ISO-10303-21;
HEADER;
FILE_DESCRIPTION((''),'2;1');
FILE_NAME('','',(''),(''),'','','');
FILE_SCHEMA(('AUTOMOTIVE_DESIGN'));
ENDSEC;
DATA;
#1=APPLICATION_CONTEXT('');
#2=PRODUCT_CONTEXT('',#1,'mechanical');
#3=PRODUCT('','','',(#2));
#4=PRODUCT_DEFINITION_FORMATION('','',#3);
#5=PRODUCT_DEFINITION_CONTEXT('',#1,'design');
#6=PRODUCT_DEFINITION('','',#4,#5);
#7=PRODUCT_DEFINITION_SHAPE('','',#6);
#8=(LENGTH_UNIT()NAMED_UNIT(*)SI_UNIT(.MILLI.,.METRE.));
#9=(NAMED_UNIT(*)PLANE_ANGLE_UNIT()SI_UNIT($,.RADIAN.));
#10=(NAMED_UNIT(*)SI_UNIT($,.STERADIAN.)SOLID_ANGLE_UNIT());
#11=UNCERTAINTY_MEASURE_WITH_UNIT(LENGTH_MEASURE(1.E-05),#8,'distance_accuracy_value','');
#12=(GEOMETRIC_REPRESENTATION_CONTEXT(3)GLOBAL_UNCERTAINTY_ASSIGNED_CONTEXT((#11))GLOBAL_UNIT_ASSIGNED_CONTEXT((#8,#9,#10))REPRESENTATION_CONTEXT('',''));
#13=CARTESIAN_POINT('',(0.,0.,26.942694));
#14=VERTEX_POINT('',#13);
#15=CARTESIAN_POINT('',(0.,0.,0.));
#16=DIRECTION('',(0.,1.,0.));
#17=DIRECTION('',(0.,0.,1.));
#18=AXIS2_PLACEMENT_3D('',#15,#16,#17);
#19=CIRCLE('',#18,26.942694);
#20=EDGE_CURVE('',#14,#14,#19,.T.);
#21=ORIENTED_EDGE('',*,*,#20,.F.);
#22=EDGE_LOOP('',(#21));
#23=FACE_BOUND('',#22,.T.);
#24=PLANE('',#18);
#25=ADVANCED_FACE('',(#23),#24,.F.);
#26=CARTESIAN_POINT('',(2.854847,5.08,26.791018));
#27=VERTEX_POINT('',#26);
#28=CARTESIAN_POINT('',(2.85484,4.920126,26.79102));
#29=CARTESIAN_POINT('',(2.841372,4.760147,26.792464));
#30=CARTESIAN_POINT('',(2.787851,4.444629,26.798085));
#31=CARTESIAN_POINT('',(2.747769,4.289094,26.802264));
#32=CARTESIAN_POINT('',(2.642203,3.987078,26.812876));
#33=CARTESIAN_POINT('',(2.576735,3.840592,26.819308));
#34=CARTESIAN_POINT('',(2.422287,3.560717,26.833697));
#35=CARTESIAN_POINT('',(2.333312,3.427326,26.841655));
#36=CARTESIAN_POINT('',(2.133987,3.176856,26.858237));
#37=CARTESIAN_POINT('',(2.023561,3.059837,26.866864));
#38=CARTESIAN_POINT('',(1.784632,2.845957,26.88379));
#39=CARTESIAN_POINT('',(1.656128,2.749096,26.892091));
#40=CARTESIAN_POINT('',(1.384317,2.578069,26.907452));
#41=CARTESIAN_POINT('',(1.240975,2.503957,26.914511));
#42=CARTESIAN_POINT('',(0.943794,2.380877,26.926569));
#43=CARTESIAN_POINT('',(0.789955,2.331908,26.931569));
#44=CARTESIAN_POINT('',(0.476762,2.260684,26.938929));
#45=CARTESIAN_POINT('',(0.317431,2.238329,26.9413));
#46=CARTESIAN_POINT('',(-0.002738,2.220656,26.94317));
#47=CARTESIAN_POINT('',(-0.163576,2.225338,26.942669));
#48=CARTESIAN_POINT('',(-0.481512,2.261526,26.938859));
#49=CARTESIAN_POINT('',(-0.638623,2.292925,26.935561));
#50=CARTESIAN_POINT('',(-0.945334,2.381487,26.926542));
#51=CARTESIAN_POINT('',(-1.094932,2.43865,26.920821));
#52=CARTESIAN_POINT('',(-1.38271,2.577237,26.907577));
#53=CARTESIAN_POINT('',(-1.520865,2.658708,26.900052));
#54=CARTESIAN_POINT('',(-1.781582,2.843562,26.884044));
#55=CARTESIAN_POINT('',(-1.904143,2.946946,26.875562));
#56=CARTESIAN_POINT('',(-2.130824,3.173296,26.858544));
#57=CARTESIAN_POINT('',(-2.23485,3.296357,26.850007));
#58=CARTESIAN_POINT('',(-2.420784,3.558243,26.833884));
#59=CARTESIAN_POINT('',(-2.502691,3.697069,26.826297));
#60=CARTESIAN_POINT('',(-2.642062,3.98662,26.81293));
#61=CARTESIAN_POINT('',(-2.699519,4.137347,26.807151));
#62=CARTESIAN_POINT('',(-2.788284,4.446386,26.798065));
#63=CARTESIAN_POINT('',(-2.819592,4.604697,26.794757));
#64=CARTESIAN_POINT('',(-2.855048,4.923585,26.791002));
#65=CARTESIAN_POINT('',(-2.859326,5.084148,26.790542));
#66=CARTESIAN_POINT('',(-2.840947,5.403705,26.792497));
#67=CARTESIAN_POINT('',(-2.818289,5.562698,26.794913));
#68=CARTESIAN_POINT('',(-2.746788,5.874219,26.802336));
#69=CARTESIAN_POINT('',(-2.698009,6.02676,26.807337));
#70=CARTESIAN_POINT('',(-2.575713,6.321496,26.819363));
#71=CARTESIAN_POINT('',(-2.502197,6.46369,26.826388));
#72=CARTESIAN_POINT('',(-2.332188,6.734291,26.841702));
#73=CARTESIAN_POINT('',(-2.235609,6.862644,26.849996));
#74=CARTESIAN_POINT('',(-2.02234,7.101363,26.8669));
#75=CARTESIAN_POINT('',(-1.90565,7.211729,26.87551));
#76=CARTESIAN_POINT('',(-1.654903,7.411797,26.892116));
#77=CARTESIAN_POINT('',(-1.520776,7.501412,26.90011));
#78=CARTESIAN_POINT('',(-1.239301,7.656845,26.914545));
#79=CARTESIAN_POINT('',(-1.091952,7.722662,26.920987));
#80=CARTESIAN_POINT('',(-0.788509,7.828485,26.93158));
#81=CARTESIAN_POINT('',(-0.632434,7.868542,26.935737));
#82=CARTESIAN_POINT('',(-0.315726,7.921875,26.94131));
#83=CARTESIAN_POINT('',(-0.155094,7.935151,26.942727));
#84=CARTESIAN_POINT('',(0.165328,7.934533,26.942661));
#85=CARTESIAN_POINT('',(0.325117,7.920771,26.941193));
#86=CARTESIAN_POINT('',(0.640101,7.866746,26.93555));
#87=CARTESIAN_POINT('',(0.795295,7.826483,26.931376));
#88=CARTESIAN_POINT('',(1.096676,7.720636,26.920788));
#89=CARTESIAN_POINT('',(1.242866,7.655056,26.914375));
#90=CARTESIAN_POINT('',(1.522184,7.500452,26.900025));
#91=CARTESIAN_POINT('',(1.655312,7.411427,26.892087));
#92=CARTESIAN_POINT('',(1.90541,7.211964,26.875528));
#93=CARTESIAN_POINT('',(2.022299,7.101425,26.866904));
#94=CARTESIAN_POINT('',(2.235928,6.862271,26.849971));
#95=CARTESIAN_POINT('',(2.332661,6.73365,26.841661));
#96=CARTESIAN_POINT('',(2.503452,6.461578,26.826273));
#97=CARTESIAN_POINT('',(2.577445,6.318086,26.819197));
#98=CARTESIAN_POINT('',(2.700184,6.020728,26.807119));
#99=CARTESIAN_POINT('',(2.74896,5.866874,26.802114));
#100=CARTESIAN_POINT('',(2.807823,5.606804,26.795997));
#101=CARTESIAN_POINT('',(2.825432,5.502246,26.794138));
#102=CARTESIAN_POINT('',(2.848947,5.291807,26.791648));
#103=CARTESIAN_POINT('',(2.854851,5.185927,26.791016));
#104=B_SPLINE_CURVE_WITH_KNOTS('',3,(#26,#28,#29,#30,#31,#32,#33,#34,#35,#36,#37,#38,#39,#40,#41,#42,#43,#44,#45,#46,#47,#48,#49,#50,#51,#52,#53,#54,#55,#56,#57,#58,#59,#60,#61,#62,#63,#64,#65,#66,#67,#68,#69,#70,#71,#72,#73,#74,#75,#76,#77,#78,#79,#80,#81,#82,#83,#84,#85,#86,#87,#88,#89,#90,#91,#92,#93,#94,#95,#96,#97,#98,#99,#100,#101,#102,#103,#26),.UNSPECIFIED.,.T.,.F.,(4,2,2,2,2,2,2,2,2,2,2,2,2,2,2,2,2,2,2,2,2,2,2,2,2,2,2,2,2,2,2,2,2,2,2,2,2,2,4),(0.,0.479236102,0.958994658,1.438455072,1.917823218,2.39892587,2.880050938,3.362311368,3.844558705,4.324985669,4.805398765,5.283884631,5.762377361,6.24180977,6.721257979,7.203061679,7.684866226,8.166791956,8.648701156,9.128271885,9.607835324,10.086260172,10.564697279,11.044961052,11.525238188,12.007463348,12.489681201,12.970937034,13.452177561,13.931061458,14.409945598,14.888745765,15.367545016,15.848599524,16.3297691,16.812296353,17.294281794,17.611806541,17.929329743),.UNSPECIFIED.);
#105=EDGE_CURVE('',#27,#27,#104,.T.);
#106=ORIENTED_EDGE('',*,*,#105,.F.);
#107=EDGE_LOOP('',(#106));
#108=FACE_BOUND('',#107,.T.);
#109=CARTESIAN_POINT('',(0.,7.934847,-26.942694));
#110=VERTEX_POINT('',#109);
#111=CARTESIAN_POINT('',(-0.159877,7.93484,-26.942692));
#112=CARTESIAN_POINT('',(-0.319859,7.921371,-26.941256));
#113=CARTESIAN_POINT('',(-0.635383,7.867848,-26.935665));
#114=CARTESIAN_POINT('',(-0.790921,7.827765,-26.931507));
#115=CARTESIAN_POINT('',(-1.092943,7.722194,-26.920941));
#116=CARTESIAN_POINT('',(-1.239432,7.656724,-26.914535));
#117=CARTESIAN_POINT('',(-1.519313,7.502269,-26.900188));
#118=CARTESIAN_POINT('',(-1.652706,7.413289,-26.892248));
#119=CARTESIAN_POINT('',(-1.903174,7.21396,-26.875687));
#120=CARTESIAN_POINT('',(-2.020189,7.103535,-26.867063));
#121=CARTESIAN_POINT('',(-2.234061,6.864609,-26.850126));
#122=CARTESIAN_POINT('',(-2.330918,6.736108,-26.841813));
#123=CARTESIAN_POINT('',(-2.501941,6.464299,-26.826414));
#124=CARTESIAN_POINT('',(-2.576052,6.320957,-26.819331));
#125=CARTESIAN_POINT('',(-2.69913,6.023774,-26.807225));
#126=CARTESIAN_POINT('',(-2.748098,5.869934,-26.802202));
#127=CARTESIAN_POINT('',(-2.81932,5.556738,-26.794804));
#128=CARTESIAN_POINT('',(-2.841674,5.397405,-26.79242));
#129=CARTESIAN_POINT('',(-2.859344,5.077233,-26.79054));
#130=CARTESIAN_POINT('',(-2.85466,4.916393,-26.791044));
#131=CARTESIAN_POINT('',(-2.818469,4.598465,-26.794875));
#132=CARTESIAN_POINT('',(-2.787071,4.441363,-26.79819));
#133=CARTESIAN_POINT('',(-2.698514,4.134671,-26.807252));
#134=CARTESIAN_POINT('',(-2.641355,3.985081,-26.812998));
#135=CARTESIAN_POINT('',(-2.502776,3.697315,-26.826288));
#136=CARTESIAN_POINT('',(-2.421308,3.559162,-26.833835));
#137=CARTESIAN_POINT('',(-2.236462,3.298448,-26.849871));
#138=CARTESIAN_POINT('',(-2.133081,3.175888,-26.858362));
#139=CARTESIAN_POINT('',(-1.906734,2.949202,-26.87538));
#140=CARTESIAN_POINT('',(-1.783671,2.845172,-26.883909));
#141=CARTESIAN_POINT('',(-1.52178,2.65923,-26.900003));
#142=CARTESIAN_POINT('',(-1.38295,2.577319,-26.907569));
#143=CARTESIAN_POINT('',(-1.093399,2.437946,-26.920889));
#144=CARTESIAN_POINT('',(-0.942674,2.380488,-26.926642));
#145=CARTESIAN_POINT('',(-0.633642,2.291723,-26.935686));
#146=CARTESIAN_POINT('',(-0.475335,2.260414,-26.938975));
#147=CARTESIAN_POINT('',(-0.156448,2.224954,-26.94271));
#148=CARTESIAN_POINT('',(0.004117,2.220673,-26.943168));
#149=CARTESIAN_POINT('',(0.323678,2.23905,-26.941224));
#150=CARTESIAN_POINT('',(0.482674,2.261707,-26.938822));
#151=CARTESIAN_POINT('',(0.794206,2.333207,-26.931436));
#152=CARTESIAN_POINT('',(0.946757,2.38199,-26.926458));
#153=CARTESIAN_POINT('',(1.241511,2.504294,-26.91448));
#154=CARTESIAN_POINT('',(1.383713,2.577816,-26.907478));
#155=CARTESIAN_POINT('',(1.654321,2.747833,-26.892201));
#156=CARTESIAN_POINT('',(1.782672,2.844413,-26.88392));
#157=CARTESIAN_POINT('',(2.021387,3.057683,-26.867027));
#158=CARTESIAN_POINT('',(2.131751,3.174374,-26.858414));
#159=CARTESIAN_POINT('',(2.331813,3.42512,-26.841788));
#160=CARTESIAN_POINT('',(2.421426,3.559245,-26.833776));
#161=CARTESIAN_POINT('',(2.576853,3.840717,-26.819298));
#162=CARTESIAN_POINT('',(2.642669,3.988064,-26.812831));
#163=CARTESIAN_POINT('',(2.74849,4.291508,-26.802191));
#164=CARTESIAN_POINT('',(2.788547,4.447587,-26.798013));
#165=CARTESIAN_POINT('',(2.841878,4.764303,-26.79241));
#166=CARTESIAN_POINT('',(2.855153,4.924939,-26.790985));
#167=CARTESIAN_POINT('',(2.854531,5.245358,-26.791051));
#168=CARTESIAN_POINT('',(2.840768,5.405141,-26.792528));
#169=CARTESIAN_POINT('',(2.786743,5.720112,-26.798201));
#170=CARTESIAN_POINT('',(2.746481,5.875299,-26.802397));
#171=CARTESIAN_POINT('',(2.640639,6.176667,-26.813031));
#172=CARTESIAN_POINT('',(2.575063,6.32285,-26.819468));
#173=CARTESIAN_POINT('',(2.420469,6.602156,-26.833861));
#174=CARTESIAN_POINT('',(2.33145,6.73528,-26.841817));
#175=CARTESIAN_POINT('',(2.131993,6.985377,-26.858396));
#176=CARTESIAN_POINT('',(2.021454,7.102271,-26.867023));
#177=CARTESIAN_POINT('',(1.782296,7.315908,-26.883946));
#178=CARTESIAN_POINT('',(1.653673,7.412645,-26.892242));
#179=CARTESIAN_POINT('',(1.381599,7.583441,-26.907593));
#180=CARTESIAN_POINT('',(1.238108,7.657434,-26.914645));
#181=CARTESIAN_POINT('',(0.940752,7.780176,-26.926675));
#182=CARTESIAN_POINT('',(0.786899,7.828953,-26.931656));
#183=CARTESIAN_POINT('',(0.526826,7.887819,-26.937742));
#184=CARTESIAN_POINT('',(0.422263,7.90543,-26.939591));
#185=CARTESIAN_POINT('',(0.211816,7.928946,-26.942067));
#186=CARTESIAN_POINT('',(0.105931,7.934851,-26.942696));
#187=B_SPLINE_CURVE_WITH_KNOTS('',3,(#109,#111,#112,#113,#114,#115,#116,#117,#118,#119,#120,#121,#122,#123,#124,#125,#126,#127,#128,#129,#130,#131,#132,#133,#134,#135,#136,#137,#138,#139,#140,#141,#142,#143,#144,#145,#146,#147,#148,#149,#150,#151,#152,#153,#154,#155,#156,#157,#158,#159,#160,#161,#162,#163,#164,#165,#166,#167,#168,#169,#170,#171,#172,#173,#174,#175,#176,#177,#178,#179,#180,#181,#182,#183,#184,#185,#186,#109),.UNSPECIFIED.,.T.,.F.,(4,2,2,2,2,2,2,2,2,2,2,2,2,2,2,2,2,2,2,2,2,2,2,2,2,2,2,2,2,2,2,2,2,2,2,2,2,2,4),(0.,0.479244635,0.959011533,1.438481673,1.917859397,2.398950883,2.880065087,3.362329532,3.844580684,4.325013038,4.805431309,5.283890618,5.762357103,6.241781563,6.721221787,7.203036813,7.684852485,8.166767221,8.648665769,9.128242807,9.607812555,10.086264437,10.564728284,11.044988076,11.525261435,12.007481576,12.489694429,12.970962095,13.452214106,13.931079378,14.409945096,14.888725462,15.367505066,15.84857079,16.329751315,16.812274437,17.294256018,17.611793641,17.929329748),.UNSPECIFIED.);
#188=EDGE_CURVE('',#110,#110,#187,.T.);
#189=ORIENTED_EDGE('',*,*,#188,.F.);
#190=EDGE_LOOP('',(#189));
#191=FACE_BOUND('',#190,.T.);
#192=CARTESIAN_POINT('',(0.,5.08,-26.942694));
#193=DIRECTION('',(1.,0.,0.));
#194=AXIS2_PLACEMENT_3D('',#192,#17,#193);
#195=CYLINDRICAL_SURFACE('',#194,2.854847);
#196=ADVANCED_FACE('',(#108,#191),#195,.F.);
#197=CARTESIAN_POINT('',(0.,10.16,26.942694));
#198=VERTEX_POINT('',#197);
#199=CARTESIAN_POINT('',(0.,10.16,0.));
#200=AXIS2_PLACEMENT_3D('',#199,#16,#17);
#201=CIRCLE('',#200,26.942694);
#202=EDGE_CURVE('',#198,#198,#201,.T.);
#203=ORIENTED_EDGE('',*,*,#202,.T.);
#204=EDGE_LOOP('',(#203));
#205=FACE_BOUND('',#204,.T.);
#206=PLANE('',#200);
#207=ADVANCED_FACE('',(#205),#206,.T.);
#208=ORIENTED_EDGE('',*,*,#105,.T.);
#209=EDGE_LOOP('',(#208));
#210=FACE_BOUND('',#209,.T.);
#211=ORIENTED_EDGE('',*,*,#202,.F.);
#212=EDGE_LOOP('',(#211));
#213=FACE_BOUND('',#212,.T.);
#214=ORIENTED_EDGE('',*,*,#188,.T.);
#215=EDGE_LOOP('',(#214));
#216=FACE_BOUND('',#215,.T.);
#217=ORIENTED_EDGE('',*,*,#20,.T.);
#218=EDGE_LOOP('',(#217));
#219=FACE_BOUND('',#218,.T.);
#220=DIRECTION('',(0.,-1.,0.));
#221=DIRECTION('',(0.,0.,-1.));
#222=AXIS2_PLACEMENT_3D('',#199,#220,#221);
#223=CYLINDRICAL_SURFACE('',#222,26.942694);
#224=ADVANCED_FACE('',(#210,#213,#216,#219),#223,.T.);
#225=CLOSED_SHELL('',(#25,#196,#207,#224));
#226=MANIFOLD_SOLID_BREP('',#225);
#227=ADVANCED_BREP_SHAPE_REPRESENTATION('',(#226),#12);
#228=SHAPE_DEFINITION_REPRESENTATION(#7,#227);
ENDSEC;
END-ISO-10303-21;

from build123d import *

# Parameters (mm, degrees)
SKETCH2_R               = 26.942694389
BOSS_EXTRUDE1_DEPTH     = 10.16
SKETCH3_R               = 2.854846783
CUT_EXTRUDE1_DEPTH      = 27.942694389
CUT_EXTRUDE1_DEPTH_BACK = 27.942694389


with BuildPart() as part:
    # Sketch2 → Boss-Extrude1 (new body)
    with BuildSketch(Plane(origin=(0, 0, 0), x_dir=(1, 0, 0), z_dir=(0, 1, 0))):
        Circle(SKETCH2_R)
    extrude(amount=BOSS_EXTRUDE1_DEPTH)

    # Sketch3 → Cut-Extrude1 (cut, two sides)
    with BuildSketch(Plane.XY) as cut_extrude1_sk:
        with Locations((0, 5.08)):
            Circle(SKETCH3_R)
    extrude(amount=CUT_EXTRUDE1_DEPTH, mode=Mode.SUBTRACT)
    extrude(cut_extrude1_sk.sketch, amount=-CUT_EXTRUDE1_DEPTH_BACK, mode=Mode.SUBTRACT)


solid = part.part
